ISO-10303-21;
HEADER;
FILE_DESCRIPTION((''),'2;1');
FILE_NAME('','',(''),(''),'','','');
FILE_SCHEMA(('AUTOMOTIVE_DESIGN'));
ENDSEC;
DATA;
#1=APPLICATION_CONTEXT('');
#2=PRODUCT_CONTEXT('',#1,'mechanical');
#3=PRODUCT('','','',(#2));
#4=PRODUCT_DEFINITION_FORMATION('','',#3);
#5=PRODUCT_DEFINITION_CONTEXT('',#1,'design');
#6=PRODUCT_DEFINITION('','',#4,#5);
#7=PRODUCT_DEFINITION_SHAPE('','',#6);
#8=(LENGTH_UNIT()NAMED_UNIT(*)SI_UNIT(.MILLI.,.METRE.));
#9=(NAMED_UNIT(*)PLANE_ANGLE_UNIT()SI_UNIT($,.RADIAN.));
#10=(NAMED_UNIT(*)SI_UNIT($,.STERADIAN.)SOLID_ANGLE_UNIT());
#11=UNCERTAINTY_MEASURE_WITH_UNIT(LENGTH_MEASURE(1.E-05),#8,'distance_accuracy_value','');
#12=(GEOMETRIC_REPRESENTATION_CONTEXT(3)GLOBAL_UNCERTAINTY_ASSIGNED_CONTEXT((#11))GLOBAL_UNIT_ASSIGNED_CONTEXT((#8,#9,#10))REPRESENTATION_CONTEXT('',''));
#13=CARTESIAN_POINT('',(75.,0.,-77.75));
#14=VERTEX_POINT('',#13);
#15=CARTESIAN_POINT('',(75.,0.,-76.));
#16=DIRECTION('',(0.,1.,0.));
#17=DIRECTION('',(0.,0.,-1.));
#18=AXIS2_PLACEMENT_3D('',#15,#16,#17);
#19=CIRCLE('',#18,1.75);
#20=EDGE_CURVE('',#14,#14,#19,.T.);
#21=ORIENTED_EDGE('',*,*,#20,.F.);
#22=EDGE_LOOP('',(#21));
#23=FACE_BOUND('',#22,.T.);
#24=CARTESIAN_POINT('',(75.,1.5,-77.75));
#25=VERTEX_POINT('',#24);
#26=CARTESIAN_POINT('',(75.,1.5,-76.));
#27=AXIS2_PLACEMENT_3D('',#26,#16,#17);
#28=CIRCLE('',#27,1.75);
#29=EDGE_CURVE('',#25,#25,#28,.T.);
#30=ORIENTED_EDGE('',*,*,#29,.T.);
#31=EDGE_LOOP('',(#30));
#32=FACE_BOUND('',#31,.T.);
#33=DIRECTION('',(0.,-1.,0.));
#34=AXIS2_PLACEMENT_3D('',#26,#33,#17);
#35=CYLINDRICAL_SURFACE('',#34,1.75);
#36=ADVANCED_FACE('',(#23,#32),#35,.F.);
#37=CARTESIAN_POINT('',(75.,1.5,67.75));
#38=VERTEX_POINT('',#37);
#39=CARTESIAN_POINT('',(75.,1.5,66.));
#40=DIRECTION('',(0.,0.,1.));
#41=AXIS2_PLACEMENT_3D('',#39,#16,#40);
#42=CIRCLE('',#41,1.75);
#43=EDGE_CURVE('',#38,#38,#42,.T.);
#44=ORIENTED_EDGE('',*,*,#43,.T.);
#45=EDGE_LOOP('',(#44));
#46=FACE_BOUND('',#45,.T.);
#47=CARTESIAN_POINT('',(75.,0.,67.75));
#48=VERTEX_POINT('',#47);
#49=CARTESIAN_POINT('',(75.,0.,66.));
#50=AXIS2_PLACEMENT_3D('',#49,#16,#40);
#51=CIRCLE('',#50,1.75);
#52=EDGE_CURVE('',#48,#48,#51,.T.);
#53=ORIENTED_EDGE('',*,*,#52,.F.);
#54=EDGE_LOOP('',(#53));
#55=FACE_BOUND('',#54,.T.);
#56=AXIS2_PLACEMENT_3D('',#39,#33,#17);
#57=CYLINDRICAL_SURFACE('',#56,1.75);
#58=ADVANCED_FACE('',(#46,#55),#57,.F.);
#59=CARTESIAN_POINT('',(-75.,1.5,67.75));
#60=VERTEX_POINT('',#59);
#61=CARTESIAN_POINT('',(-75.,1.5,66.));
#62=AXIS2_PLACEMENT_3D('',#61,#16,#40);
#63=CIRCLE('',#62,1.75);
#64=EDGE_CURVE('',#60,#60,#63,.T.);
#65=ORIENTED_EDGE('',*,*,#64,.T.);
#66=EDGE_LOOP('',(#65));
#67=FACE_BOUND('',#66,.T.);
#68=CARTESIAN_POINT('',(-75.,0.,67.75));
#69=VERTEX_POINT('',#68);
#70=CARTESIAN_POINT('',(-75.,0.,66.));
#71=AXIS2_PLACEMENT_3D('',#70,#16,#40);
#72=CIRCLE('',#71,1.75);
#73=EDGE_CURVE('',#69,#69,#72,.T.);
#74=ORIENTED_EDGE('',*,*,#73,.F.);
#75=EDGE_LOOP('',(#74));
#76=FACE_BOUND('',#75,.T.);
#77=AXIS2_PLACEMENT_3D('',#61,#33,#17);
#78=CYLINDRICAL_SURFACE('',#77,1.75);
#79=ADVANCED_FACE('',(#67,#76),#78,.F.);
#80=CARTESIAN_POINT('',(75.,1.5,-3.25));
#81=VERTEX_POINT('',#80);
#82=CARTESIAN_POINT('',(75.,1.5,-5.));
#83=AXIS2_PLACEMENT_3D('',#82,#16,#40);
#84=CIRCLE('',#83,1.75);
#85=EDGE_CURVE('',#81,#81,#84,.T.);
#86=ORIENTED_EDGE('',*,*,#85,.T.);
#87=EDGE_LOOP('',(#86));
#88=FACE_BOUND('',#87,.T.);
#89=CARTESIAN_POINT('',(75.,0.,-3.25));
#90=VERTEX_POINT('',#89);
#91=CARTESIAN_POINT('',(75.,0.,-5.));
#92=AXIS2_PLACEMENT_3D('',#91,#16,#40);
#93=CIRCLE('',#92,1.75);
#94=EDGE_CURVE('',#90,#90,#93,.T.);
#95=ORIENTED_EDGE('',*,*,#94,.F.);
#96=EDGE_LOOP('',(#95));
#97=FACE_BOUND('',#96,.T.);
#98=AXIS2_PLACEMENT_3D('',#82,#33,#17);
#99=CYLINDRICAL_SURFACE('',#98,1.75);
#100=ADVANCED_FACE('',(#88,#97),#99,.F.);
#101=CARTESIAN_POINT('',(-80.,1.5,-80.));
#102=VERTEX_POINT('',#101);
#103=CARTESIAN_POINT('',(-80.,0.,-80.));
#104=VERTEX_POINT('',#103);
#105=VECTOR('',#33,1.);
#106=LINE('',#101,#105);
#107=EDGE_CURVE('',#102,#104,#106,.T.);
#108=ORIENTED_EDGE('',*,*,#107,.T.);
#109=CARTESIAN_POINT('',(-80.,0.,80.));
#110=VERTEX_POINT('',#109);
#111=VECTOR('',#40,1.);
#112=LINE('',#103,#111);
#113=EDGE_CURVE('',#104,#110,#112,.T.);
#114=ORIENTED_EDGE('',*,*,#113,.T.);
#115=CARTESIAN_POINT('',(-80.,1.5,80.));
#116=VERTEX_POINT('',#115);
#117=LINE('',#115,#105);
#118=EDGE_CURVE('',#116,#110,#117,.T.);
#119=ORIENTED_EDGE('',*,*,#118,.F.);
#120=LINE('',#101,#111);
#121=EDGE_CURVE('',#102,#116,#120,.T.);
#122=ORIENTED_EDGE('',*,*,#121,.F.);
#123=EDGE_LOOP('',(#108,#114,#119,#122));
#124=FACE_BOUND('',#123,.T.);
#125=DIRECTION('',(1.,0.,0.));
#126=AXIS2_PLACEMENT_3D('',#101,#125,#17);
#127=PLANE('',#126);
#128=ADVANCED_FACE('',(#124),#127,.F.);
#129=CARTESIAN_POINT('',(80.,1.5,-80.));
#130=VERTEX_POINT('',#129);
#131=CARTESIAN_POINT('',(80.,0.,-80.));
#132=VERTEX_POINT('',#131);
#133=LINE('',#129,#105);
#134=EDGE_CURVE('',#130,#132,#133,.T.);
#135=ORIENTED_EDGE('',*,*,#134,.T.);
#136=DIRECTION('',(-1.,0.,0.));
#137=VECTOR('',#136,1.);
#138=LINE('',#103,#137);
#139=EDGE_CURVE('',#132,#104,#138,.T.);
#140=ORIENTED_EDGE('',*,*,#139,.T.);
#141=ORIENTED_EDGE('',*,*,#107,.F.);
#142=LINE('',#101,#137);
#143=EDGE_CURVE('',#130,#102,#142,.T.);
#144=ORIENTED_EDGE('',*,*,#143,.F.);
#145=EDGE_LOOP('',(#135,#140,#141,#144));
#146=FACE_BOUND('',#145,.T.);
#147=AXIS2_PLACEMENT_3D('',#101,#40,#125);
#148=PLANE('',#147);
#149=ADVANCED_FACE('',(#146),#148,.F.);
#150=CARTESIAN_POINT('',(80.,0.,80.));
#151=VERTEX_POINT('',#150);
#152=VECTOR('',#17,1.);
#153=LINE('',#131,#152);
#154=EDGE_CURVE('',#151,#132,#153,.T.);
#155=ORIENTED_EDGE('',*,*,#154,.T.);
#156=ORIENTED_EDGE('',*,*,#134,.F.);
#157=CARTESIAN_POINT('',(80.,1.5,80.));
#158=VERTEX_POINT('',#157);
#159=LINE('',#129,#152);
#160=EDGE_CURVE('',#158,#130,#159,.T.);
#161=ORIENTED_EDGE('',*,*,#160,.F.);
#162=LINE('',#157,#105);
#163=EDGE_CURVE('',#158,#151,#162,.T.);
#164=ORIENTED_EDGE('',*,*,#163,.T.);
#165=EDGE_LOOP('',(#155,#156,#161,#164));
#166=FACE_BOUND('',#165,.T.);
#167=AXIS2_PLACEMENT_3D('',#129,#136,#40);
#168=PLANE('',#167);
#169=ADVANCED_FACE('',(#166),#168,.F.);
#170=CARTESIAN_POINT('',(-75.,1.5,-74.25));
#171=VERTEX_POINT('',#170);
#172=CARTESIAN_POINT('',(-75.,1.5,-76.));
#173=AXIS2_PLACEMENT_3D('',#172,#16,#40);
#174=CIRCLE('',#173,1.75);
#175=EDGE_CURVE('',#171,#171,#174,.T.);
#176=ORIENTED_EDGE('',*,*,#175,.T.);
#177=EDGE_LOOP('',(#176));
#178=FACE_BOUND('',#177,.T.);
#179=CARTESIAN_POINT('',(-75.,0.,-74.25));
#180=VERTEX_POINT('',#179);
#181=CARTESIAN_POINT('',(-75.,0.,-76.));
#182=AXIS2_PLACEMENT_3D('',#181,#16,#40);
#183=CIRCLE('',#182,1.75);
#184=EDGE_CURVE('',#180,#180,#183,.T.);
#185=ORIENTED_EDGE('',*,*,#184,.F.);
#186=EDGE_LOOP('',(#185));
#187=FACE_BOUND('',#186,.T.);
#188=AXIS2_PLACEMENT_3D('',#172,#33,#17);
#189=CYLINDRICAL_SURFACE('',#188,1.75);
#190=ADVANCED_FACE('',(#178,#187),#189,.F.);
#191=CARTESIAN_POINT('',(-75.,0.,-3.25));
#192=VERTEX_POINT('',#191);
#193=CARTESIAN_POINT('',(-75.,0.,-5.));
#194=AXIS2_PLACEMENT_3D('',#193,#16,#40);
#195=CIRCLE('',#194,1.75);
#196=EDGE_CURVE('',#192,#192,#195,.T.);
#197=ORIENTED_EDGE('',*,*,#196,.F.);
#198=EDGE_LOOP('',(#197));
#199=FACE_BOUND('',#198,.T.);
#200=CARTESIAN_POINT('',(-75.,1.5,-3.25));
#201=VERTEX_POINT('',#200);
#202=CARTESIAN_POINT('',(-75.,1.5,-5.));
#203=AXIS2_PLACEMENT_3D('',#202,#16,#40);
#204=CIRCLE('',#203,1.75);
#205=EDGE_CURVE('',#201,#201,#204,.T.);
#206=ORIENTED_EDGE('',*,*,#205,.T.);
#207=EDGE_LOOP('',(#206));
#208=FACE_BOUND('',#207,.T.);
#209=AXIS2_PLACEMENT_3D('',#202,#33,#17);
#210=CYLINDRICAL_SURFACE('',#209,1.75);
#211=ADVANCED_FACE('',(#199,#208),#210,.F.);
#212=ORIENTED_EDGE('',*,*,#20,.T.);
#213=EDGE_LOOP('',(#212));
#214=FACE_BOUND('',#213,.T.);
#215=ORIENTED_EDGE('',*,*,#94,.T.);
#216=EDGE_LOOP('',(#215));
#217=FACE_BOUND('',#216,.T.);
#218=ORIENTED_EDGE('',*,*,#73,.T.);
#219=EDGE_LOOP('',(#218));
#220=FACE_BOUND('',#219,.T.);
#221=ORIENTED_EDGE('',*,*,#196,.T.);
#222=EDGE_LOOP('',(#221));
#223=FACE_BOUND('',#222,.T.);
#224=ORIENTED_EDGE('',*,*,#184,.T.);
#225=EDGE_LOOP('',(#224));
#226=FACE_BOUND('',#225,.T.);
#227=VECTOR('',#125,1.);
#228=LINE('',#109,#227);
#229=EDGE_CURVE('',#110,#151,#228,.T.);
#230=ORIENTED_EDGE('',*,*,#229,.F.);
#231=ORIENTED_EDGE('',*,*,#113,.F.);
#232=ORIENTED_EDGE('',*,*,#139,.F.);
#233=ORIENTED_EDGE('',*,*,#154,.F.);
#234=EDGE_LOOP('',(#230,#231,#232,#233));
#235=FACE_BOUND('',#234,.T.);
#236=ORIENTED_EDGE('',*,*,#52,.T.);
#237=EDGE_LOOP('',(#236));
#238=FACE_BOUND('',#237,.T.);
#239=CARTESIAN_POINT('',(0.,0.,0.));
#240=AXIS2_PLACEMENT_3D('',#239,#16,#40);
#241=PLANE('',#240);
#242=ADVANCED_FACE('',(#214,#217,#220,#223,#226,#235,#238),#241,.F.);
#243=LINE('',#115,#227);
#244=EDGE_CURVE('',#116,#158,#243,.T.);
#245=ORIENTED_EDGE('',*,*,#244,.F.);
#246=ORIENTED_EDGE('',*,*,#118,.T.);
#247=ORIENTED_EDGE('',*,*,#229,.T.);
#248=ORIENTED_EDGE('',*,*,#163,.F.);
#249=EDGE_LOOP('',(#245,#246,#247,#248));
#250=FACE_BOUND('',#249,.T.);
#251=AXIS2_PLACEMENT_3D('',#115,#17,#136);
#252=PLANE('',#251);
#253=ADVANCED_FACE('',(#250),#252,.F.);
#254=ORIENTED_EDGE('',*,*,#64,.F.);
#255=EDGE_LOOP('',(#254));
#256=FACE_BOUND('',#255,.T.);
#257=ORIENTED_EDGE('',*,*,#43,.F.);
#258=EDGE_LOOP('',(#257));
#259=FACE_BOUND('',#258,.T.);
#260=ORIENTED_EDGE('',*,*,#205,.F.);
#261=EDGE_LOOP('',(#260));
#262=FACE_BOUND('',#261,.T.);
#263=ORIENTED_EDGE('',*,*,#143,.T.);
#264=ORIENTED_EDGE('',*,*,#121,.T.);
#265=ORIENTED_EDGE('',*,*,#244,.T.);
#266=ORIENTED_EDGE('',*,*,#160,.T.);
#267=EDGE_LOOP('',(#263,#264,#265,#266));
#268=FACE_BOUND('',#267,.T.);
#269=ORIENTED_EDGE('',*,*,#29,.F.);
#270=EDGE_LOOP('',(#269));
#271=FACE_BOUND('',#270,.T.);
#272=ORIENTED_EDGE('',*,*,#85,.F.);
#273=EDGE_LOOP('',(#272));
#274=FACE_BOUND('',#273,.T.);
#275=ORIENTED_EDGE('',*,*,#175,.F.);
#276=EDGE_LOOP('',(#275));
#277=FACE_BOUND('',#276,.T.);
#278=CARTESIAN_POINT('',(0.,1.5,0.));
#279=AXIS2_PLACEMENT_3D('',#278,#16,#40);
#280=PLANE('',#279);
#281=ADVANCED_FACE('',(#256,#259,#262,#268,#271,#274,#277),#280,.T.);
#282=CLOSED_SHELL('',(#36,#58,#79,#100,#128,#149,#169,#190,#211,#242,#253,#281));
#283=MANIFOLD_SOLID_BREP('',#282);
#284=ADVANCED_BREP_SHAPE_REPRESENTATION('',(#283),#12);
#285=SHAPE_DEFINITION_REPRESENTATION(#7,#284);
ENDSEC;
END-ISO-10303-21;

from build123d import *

# Parameters (mm, degrees)
CROQUIS1_W              = 160
CROQUIS1_H              = 160
CROQUIS1_R              = 1.75
SALIENTE_EXTRUIR1_DEPTH = 1.5


with BuildPart() as part:
    # Croquis1 → Saliente-Extruir1 (new body)
    with BuildSketch(Plane(origin=(0, 0, 0), x_dir=(1, 0, 0), z_dir=(0, 1, 0))):
        Rectangle(CROQUIS1_W, CROQUIS1_H)
        with Locations(Location((-75, 76, 0), (0, 0, 270))):
            Circle(CROQUIS1_R, mode=Mode.SUBTRACT)
        with Locations(Location((75, 76, 0), (0, 0, 90))):
            Circle(CROQUIS1_R, mode=Mode.SUBTRACT)
        with Locations(Location((-75, 5, 0), (0, 0, 270))):
            Circle(CROQUIS1_R, mode=Mode.SUBTRACT)
        with Locations(Location((-75, -66, 0), (0, 0, 270))):
            Circle(CROQUIS1_R, mode=Mode.SUBTRACT)
        with Locations(Location((75, -66, 0), (0, 0, 270))):
            Circle(CROQUIS1_R, mode=Mode.SUBTRACT)
        with Locations(Location((75, 5, 0), (0, 0, 270))):
            Circle(CROQUIS1_R, mode=Mode.SUBTRACT)
    extrude(amount=SALIENTE_EXTRUIR1_DEPTH)


solid = part.part
